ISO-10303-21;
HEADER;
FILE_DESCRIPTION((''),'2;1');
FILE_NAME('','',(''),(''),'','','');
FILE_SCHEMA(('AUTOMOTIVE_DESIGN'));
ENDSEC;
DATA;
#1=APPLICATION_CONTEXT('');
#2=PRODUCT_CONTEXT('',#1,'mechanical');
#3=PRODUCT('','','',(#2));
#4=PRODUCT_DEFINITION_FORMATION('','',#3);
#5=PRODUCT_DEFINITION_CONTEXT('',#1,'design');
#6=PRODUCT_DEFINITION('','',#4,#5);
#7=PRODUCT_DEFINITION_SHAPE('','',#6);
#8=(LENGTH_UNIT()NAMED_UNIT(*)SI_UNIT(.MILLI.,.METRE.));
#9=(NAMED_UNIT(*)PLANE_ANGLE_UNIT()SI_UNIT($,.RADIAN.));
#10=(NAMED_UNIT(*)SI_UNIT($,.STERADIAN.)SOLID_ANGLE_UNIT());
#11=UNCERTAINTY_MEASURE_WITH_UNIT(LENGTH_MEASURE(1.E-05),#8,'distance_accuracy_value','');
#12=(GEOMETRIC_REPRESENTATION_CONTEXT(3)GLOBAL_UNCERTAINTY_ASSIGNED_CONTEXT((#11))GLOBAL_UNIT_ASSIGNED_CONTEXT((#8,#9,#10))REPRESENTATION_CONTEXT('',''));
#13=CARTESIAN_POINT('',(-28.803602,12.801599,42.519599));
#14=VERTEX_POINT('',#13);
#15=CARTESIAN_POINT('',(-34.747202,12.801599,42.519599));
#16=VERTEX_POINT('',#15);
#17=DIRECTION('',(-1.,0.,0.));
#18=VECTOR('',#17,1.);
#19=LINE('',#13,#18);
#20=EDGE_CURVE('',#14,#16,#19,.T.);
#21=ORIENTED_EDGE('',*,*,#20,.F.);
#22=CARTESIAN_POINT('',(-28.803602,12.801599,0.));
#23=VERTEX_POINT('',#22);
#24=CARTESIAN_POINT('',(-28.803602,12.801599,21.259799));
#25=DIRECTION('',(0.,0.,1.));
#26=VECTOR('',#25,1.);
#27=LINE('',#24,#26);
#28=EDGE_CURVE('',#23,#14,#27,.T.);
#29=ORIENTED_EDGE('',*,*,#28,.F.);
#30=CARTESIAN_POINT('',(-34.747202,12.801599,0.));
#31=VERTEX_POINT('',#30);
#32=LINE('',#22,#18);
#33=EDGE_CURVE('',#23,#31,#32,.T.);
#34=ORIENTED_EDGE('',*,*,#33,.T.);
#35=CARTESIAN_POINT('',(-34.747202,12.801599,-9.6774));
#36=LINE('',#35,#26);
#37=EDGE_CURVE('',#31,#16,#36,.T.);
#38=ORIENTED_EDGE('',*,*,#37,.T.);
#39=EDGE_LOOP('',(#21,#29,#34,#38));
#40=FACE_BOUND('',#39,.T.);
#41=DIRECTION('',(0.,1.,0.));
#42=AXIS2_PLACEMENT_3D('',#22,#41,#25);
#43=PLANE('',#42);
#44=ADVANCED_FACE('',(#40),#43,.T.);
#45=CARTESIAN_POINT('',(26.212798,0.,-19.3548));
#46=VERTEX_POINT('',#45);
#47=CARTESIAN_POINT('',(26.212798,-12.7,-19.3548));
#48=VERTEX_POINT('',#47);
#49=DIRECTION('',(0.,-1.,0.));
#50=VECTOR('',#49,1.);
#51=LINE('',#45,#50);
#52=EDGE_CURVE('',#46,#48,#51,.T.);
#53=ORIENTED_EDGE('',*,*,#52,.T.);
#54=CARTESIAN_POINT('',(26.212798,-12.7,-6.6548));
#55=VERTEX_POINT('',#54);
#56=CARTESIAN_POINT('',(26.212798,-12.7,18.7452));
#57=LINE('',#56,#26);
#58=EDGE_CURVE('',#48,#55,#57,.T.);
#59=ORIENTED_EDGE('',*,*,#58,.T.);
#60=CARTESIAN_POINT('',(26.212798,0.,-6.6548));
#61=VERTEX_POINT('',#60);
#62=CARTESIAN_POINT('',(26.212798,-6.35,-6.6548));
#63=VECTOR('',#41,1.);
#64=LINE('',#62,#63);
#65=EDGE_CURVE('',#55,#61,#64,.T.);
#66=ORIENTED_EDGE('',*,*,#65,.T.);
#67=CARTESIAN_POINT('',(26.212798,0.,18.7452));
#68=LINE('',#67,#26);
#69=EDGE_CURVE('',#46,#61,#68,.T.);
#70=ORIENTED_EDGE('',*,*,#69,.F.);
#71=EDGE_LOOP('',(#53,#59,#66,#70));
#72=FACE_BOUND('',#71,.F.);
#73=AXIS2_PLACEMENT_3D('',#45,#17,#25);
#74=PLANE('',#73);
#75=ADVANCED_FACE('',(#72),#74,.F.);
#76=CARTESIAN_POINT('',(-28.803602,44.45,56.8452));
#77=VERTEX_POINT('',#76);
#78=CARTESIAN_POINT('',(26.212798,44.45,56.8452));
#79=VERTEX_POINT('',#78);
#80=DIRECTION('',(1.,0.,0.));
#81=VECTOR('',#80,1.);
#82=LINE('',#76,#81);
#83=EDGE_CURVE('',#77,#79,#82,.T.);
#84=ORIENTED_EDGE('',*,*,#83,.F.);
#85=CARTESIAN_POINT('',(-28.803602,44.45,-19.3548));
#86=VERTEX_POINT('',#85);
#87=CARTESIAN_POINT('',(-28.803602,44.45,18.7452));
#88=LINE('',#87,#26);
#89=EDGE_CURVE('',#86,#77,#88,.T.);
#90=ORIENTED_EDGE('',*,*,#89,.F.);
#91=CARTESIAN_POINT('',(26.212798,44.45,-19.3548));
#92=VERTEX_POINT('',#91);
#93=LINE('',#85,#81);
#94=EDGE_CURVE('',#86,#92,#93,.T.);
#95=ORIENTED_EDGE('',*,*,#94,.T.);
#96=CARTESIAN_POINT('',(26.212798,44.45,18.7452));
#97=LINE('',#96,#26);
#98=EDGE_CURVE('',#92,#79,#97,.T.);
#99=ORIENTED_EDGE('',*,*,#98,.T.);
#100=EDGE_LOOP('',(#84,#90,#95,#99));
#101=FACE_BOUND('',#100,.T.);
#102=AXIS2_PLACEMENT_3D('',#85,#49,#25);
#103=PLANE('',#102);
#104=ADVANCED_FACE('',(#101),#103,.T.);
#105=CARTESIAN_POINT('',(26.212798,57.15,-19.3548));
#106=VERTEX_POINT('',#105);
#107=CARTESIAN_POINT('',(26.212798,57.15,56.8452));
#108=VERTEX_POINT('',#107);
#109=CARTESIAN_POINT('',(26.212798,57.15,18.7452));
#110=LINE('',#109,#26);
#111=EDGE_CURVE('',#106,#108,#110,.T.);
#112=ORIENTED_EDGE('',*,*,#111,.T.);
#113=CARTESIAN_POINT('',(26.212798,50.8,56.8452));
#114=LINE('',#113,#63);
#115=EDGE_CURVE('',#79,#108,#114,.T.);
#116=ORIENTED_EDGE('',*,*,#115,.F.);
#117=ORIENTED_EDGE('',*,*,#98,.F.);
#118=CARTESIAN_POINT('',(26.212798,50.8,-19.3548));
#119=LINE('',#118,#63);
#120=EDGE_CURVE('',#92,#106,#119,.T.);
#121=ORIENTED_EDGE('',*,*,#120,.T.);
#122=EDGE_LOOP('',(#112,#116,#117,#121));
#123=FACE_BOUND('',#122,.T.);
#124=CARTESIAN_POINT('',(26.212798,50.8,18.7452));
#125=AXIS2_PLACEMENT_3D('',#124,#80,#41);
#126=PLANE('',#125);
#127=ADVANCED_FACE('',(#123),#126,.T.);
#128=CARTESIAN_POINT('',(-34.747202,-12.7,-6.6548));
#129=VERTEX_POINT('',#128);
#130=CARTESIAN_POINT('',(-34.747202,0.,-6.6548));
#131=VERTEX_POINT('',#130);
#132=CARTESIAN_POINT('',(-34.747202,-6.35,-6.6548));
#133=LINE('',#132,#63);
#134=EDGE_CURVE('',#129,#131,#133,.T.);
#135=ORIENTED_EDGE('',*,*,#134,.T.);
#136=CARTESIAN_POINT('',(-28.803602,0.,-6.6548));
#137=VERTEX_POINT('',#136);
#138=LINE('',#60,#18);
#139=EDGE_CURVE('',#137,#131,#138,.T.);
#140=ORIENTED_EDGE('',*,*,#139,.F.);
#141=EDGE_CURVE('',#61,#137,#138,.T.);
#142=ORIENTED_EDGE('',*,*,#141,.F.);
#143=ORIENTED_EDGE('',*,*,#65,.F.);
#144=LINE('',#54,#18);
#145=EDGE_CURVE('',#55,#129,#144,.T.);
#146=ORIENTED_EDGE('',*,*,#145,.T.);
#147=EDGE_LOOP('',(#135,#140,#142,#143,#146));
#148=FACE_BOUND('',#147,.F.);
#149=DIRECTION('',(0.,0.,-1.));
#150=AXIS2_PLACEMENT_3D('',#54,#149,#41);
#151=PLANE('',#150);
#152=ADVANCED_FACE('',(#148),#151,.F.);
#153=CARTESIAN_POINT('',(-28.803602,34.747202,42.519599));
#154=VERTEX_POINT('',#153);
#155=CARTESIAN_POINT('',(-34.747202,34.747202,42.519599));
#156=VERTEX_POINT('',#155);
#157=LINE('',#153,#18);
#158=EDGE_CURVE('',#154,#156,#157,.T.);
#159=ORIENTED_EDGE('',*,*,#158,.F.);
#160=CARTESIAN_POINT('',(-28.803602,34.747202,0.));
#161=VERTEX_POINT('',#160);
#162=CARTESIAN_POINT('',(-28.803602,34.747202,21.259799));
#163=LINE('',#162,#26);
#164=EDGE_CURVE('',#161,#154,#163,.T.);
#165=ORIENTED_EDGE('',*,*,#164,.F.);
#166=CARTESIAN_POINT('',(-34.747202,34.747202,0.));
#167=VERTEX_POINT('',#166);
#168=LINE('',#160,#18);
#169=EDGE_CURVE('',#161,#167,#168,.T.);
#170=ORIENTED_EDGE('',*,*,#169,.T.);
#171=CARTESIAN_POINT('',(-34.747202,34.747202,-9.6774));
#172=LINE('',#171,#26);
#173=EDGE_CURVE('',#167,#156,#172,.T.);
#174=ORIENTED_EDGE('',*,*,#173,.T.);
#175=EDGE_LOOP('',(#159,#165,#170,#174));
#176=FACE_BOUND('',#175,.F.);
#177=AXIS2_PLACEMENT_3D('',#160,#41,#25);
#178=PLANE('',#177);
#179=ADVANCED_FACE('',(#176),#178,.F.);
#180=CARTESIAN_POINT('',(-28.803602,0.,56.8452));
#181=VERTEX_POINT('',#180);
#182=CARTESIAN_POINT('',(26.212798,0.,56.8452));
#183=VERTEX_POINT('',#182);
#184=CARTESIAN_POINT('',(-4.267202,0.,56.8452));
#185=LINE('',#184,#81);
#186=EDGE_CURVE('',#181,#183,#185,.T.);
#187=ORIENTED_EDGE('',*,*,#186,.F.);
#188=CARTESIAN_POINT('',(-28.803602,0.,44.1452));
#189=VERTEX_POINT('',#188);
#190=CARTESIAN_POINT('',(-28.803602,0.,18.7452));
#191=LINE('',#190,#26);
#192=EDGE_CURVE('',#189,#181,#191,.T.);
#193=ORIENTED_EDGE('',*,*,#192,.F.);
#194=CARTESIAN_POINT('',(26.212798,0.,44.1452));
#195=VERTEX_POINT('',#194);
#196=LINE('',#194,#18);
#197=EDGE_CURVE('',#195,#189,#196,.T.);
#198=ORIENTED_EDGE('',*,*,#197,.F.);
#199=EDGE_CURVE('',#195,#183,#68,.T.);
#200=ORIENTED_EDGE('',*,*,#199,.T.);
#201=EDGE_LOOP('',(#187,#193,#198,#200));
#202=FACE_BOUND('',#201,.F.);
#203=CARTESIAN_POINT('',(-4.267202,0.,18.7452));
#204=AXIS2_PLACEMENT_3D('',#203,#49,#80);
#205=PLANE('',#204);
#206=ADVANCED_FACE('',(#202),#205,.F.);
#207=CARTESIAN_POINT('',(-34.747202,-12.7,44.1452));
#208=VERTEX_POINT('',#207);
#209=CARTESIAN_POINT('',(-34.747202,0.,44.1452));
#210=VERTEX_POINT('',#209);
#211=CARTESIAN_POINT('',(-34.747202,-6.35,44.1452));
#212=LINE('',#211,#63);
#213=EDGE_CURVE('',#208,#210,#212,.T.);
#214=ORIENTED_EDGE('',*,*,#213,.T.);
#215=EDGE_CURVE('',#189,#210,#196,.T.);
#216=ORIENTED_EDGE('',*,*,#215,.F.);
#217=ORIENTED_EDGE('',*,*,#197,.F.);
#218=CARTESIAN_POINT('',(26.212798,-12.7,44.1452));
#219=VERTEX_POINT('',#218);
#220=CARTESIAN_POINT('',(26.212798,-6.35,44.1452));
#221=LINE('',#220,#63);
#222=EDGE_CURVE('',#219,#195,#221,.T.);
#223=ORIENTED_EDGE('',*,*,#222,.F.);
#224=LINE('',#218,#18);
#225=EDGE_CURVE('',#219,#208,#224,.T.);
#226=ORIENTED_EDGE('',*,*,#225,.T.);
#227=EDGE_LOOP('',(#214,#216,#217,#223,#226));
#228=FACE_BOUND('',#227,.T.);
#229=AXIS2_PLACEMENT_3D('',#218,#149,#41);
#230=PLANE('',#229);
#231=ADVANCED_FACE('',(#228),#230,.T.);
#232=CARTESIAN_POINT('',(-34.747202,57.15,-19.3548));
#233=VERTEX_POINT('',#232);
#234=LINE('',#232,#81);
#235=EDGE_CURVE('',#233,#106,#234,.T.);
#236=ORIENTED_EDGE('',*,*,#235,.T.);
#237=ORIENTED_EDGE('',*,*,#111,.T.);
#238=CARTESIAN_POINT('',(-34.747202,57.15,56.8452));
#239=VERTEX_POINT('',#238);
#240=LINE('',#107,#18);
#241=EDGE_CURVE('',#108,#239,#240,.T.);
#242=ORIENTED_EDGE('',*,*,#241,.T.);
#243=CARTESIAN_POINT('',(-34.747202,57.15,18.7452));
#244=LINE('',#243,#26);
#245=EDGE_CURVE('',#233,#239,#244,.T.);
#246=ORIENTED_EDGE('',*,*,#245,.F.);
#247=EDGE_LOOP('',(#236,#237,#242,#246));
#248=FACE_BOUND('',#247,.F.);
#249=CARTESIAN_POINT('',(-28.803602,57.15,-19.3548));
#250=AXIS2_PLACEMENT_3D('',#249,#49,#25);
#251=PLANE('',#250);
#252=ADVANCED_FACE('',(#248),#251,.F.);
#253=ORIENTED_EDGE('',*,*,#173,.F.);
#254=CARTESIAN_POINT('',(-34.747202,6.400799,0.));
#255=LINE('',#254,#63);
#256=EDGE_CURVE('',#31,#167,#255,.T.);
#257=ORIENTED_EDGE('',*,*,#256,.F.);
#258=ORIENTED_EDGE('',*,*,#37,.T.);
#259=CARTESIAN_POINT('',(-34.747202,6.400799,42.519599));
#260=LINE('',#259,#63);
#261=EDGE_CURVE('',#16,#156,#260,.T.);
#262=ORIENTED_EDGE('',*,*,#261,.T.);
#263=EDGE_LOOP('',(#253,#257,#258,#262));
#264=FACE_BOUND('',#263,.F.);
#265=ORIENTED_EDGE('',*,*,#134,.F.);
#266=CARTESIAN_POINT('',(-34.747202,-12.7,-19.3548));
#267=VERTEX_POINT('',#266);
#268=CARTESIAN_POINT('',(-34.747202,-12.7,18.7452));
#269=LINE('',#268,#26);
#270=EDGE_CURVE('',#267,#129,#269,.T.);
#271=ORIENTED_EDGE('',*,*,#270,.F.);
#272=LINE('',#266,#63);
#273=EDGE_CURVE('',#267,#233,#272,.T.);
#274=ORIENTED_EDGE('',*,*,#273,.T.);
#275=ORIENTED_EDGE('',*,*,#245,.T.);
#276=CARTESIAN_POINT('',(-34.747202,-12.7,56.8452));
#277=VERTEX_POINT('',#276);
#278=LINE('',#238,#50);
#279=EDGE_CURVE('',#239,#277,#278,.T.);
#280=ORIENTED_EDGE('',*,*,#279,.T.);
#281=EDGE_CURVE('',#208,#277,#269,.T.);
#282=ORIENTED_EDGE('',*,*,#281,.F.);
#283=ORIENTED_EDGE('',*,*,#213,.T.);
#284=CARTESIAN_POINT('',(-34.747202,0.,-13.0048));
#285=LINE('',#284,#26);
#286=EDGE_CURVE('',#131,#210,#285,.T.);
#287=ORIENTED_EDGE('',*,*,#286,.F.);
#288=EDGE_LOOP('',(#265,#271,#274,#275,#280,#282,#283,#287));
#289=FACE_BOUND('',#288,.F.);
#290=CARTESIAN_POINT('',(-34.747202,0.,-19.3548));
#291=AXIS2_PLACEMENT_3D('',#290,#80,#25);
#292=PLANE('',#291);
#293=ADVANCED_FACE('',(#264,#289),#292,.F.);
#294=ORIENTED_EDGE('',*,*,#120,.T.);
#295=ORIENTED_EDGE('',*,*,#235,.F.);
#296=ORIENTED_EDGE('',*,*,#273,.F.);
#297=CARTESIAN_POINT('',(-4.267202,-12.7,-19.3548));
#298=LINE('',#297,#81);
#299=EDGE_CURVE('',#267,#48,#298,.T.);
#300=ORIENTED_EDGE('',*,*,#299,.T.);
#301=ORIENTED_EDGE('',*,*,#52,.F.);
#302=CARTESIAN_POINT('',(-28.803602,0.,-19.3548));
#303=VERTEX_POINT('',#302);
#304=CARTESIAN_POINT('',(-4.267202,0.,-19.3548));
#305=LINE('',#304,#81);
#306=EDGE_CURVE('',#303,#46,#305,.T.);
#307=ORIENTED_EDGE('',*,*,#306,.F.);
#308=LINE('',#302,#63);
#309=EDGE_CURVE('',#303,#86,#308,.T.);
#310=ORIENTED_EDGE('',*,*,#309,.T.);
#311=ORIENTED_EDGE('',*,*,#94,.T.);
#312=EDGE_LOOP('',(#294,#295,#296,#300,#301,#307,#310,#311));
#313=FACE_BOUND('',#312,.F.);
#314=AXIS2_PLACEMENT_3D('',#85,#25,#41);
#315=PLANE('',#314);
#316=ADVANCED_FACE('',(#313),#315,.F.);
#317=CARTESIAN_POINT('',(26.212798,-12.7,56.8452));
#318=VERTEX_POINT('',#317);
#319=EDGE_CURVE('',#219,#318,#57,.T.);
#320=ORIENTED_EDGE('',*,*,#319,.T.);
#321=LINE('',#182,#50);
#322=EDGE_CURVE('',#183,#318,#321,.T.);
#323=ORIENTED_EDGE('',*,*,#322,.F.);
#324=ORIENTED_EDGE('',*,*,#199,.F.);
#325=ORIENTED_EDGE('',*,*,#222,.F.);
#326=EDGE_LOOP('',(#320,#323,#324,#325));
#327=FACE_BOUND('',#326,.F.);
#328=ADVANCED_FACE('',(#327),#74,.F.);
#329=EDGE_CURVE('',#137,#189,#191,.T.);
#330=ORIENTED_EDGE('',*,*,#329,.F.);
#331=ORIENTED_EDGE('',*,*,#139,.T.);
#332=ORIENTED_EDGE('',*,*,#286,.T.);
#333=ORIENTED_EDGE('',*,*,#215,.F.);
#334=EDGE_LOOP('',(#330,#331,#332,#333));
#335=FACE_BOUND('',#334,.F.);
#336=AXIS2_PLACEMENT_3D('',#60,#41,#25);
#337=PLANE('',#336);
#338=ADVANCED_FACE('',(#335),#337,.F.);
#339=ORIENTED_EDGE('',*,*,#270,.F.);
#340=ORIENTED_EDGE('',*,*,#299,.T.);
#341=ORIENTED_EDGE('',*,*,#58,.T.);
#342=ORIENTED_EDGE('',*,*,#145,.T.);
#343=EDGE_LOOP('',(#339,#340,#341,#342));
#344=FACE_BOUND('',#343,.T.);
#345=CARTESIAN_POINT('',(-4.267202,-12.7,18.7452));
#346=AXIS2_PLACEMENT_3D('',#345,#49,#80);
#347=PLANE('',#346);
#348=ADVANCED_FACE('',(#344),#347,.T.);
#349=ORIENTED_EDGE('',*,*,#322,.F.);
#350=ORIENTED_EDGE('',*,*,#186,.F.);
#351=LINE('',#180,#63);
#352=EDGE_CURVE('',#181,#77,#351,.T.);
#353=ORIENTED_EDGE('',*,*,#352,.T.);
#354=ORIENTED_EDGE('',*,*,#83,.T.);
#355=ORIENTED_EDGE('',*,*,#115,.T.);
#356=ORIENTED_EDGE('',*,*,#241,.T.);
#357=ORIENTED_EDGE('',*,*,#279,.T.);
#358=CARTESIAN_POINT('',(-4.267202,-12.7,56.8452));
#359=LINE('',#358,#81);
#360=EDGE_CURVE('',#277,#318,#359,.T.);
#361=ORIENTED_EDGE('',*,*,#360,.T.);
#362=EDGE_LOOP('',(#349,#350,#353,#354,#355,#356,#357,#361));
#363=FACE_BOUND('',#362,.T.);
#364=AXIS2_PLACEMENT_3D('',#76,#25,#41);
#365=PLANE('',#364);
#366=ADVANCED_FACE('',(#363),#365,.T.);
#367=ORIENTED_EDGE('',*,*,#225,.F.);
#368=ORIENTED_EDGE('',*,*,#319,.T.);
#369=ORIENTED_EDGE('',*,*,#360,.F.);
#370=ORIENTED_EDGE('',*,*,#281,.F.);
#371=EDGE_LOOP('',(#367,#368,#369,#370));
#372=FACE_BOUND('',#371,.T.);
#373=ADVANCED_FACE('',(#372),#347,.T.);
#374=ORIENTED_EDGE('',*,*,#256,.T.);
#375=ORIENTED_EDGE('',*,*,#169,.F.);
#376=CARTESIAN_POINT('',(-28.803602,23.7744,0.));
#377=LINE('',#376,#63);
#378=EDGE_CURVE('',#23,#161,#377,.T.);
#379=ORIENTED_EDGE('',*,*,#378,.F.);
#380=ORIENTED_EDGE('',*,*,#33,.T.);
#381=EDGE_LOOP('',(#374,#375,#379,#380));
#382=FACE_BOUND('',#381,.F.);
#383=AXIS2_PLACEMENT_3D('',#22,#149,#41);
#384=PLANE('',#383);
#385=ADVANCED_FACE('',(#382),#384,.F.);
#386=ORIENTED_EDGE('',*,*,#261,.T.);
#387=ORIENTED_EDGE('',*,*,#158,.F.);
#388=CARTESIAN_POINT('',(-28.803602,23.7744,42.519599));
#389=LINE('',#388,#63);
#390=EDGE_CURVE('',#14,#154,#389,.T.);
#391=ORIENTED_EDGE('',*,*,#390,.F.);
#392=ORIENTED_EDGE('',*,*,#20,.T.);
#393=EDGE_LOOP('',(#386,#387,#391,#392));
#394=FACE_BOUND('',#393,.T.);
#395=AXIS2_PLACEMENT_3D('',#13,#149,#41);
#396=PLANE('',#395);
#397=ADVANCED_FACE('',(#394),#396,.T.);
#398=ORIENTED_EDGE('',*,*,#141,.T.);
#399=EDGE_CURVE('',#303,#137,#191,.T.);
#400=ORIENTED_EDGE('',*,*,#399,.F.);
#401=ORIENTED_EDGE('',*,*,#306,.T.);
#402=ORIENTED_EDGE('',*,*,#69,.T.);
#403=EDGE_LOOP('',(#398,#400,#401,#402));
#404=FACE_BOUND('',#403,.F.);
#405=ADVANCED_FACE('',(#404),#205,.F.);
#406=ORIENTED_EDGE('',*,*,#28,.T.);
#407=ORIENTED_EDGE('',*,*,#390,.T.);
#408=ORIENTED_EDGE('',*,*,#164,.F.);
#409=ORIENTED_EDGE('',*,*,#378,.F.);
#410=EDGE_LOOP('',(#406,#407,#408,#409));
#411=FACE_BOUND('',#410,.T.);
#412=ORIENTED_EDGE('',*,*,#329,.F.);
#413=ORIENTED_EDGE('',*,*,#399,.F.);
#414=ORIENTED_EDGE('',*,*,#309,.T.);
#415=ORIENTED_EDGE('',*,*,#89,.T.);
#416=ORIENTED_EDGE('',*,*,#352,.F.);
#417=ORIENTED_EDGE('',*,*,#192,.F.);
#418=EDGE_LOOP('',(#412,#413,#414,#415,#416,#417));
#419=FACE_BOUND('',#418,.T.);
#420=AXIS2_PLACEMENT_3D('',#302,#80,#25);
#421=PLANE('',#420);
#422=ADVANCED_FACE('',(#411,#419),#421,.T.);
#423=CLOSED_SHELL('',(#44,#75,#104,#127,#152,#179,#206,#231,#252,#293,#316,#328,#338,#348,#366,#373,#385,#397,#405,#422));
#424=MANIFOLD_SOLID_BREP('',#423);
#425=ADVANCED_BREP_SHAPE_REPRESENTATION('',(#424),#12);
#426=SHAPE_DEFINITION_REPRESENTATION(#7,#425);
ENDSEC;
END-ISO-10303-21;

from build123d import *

# Parameters (mm, degrees)
F0_W     = 60.96
F0_H     = 76.2
F1_DEPTH = 12.7
F2_W     = 5.9436
F2_H     = 76.2
F3_DEPTH = 57.15
F4_W     = 12.7
F4_H     = 76.2
F5_DEPTH = 55.0164
F6_W     = 12.7
F6_H     = 50.8
F7_DEPTH = 63.5
F8_W     = 21.945603
F8_H     = 42.519599
F9_DEPTH = 25.4


with BuildPart() as f1:
    # F0 (on Front) → F1 (new body)
    with BuildSketch(Plane.XZ):
        with Locations((-4.267202, 18.7452)):
            Rectangle(F0_W, F0_H)
    extrude(amount=F1_DEPTH)

    # F2 (on face) → F3 (join)
    with BuildSketch(Plane(origin=(0, 0, 0), x_dir=(-1, 0, 0), z_dir=(0, 1, 0))):
        with Locations((31.775402, 18.7452)):
            Rectangle(F2_W, F2_H)
    extrude(amount=F3_DEPTH)

    # F4 (on face) → F5 (join)
    with BuildSketch(Plane.YZ.offset(-28.803602)):
        with Locations((50.8, 18.7452)):
            Rectangle(F4_W, F4_H)
    extrude(amount=F5_DEPTH)

    # F6 (on face) → F7 (cut)
    with BuildSketch(Plane.YZ.offset(26.212798)):
        with Locations((-6.35, 18.7452)):
            Rectangle(F6_W, F6_H)
    extrude(amount=-F7_DEPTH, mode=Mode.SUBTRACT)

    # F8 (on face) → F9 (cut)
    with BuildSketch(Plane.YZ.offset(-28.803602)):
        with Locations((23.7744, 21.259799)):
            Rectangle(F8_W, F8_H)
    extrude(amount=-F9_DEPTH, mode=Mode.SUBTRACT)


solid = f1.part
